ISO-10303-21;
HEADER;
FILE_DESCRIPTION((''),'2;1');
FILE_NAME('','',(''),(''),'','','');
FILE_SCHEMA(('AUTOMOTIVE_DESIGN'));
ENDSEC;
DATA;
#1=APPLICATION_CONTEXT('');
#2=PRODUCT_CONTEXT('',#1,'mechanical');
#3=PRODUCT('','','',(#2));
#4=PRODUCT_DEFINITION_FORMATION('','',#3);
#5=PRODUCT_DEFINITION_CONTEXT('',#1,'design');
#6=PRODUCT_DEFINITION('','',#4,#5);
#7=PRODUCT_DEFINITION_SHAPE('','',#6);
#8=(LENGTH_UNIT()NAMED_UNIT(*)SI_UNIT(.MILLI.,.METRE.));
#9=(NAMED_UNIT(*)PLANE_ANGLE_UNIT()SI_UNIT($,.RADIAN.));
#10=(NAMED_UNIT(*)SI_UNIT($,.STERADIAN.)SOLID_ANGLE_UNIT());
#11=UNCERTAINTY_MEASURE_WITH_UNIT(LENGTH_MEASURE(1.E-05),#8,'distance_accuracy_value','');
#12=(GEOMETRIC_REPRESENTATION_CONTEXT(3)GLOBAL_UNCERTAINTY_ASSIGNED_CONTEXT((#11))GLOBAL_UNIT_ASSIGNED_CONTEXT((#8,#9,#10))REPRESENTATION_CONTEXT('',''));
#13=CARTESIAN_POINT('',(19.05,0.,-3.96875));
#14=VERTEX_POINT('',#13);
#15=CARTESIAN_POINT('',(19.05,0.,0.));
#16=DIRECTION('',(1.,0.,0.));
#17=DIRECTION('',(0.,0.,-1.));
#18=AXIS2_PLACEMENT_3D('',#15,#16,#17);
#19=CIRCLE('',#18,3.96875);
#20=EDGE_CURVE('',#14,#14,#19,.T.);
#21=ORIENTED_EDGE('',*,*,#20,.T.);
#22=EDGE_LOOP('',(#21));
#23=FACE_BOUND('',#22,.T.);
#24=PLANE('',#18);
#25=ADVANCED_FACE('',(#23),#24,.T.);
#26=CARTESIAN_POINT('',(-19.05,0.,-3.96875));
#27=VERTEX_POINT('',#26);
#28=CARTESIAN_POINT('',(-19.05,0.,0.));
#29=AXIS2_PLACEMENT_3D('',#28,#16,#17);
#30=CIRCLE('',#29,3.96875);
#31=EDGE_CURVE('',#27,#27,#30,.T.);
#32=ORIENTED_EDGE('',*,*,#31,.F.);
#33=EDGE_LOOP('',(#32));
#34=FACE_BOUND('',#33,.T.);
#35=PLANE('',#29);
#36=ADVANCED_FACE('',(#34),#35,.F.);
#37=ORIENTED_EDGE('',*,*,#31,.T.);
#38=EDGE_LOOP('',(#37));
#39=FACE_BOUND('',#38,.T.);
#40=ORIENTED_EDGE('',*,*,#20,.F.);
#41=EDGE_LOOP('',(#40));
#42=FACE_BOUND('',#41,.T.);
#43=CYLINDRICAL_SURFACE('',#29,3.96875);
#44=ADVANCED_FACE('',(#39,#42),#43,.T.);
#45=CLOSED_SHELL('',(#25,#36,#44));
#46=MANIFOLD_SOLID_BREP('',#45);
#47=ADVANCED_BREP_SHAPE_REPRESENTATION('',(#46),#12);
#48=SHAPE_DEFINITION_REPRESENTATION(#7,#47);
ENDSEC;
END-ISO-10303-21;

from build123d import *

# Parameters (mm, degrees)
SKETCH2_R           = 3.96875
EXTRUDE1_DEPTH      = 19.05
EXTRUDE1_DEPTH_BACK = 19.05


with BuildPart() as part:
    # Sketch2 → Extrude1 (new body, two sides)
    with BuildSketch(Plane(origin=(0, 0, 0), x_dir=(0, 0, -1), z_dir=(1, 0, 0))) as extrude1_sk:
        Circle(SKETCH2_R)
    extrude(amount=EXTRUDE1_DEPTH)
    extrude(extrude1_sk.sketch, amount=-EXTRUDE1_DEPTH_BACK)


solid = part.part
